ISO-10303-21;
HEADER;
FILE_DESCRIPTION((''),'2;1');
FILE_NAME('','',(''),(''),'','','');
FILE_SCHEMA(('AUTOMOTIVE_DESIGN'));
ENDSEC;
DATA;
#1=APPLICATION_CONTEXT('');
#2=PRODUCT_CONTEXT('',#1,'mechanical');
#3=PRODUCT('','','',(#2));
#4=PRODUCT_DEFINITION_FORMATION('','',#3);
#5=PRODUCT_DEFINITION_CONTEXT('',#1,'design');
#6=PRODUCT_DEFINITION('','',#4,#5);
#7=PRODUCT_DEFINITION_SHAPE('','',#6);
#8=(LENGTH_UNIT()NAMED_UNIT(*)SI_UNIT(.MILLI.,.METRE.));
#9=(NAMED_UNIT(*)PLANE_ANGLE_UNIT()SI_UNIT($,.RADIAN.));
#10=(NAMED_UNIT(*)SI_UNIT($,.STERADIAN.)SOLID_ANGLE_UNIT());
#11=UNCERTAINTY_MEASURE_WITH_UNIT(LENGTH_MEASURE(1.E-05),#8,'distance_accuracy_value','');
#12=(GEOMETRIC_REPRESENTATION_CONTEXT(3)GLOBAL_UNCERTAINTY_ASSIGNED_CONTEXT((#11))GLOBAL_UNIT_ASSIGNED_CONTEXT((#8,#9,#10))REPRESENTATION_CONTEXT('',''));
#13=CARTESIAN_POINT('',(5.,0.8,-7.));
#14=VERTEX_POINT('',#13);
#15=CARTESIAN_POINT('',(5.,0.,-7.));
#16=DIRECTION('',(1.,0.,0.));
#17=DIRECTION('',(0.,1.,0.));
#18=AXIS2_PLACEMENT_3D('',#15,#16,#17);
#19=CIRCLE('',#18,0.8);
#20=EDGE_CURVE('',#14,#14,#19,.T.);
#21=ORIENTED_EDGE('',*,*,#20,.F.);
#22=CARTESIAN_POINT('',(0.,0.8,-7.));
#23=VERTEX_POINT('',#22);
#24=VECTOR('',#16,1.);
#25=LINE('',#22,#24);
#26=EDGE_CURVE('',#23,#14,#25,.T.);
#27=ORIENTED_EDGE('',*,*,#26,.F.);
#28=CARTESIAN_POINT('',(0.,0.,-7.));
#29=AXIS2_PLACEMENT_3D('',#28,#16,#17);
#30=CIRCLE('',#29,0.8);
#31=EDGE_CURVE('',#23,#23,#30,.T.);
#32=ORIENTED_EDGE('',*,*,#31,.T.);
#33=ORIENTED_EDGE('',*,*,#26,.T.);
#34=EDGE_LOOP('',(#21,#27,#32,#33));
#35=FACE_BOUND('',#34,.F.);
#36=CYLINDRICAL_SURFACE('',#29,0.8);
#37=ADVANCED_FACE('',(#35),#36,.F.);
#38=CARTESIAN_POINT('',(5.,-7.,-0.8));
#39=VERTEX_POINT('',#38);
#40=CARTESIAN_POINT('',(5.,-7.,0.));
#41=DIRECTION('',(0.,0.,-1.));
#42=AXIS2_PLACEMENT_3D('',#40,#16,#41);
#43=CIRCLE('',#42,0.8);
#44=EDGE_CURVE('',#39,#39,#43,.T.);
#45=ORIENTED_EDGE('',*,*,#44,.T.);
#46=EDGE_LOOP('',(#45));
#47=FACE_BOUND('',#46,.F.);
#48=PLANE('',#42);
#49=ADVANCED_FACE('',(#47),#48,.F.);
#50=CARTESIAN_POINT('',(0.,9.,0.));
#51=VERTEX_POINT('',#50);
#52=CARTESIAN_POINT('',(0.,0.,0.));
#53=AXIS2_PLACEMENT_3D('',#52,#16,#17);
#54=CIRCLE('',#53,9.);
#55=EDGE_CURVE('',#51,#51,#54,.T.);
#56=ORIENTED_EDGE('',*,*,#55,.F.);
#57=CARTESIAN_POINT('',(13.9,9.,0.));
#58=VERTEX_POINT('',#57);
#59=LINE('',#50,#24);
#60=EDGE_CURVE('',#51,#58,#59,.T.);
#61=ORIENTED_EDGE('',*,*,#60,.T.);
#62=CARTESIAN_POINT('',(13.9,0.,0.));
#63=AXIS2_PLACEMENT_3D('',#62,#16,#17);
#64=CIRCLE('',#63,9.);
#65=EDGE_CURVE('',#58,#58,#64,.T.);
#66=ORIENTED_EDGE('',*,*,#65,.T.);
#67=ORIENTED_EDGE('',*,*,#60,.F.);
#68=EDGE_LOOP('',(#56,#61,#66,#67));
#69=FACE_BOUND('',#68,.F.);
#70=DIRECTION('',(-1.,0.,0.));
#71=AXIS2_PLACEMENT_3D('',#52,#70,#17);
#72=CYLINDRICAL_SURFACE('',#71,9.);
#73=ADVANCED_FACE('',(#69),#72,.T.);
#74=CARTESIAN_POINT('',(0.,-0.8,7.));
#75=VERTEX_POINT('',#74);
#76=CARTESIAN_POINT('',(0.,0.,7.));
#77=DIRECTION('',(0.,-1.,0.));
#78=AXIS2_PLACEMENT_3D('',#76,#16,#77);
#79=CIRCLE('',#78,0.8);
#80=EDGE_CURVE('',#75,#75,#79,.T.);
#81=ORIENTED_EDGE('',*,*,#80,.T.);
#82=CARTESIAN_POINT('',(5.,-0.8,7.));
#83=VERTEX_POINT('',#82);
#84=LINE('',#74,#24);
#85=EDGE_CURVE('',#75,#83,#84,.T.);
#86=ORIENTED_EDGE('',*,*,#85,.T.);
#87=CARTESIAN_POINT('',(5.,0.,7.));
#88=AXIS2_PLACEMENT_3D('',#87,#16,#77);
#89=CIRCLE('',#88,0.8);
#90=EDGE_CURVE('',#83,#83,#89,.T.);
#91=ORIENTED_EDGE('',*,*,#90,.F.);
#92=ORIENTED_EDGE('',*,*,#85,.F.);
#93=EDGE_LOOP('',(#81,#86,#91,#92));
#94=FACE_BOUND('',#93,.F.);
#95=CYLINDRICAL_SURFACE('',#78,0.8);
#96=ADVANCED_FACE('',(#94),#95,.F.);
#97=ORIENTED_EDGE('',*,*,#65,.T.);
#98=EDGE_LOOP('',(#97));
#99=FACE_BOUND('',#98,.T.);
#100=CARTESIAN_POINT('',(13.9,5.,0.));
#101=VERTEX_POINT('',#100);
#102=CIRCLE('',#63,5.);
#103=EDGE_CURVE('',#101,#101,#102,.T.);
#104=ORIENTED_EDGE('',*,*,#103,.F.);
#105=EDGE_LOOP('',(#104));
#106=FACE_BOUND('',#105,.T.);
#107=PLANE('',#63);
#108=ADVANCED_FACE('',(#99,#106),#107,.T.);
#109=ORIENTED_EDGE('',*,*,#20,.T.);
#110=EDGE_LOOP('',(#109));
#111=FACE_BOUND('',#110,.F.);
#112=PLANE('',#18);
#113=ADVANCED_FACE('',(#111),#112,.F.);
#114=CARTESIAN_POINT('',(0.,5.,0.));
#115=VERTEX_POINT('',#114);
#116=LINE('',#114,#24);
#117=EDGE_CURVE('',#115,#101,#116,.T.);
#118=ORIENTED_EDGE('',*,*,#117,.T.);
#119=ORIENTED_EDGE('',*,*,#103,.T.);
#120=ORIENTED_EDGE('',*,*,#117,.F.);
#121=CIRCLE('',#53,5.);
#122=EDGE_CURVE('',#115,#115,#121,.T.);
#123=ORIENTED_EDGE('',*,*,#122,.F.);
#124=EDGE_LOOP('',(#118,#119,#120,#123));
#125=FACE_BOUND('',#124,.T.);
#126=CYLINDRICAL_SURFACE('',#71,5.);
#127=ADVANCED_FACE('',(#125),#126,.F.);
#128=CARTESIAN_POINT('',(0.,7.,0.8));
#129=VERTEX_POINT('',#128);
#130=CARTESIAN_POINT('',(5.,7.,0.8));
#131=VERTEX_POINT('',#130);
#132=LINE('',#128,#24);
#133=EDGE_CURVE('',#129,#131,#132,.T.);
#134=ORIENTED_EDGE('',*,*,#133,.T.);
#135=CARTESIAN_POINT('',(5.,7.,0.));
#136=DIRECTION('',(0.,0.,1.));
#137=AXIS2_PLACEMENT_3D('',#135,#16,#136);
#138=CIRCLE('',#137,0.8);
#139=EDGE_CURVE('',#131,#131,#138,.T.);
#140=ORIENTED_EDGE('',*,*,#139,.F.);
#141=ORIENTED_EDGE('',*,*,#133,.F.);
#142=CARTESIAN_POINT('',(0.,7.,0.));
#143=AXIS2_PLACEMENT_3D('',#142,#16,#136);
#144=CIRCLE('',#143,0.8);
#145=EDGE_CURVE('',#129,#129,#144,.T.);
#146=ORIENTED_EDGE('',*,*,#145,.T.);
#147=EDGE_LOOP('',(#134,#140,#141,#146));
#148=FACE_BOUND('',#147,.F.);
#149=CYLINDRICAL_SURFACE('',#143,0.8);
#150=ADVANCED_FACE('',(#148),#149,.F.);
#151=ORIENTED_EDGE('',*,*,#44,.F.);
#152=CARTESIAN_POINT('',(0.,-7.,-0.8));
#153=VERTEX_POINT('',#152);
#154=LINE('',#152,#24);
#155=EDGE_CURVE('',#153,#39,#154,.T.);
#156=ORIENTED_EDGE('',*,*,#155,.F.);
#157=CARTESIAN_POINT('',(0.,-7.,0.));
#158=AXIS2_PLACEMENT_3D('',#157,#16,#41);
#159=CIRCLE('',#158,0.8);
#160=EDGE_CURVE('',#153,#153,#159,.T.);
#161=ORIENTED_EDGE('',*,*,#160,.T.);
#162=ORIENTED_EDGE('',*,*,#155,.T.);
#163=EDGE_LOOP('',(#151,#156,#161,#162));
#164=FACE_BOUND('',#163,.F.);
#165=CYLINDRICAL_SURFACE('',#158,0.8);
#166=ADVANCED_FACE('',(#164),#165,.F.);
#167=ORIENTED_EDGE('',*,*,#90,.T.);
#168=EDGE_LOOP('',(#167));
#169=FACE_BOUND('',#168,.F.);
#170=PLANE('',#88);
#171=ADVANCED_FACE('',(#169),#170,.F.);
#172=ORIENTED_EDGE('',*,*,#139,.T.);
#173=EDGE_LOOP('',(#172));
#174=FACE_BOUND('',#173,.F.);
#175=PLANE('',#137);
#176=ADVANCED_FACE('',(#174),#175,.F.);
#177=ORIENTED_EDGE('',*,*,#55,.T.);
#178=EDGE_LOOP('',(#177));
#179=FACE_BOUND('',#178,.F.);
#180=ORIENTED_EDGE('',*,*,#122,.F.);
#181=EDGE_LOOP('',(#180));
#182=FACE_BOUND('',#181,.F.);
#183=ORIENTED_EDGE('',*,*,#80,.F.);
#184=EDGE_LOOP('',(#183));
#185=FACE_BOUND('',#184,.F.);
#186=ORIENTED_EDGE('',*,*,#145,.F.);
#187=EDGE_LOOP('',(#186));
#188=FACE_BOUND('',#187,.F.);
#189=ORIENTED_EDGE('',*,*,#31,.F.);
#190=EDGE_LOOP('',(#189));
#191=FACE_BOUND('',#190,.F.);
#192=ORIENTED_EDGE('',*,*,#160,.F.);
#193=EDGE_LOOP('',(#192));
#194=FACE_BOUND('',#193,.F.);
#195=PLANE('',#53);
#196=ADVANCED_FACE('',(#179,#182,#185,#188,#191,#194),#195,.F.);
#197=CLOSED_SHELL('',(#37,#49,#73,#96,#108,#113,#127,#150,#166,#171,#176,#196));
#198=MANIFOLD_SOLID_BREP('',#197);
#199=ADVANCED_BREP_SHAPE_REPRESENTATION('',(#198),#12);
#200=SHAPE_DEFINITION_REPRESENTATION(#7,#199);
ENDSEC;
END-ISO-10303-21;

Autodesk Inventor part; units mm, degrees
ref_plane "YZ Plane" through (0, 0, 0) normal (1, 0, 0) x (0, 1, 0)
ref_plane "XZ Plane" through (0, 0, 0) normal (0, 1, 0) x (-1, 0, 0)
ref_plane "XY Plane" through (0, 0, 0) normal (0, 0, 1) x (1, 0, 0)
sketch "Sketch1" plane through (0, 0, 0) normal (1, 0, 0) x (0, 1, 0)
  circle A0 centre (0, 0) radius 9
  circle A1 centre (0, 0) radius 5
  dimension "d0" = 18
  dimension "d1" = 10
extrude "Extrusion1" add sketch "Sketch1" along normal blind 13.9
sketch "Sketch2" plane through (0, 0, 0) normal (-1, 0, 0) x (0, 0, 1)
  circle A0 centre (0, 0) radius 7
  point P0 (0, 7)
  dimension "d4" = 14
hole "Hole1" at (0, 7, 0) direction (1, 0, 0) diameter 1.6 depth 5
pattern_circular "Circular Pattern1" count 4 over 360 about axis through (0, 0, 0) along (1, 0, 0) of "Hole1"
thread "Thread1" size "M2x0.4" class "6H" standard "ANSI Metric M Profile" full length
thread "Thread2" size "M2x0.4" class "6H" standard "ANSI Metric M Profile" full length
thread "Thread3" size "M2x0.4" class "6H" standard "ANSI Metric M Profile" full length
thread "Thread4" size "M2x0.4" class "6H" standard "ANSI Metric M Profile" full length
properties part number "sample-transfer_rod" material "ABS Plastic orange"
